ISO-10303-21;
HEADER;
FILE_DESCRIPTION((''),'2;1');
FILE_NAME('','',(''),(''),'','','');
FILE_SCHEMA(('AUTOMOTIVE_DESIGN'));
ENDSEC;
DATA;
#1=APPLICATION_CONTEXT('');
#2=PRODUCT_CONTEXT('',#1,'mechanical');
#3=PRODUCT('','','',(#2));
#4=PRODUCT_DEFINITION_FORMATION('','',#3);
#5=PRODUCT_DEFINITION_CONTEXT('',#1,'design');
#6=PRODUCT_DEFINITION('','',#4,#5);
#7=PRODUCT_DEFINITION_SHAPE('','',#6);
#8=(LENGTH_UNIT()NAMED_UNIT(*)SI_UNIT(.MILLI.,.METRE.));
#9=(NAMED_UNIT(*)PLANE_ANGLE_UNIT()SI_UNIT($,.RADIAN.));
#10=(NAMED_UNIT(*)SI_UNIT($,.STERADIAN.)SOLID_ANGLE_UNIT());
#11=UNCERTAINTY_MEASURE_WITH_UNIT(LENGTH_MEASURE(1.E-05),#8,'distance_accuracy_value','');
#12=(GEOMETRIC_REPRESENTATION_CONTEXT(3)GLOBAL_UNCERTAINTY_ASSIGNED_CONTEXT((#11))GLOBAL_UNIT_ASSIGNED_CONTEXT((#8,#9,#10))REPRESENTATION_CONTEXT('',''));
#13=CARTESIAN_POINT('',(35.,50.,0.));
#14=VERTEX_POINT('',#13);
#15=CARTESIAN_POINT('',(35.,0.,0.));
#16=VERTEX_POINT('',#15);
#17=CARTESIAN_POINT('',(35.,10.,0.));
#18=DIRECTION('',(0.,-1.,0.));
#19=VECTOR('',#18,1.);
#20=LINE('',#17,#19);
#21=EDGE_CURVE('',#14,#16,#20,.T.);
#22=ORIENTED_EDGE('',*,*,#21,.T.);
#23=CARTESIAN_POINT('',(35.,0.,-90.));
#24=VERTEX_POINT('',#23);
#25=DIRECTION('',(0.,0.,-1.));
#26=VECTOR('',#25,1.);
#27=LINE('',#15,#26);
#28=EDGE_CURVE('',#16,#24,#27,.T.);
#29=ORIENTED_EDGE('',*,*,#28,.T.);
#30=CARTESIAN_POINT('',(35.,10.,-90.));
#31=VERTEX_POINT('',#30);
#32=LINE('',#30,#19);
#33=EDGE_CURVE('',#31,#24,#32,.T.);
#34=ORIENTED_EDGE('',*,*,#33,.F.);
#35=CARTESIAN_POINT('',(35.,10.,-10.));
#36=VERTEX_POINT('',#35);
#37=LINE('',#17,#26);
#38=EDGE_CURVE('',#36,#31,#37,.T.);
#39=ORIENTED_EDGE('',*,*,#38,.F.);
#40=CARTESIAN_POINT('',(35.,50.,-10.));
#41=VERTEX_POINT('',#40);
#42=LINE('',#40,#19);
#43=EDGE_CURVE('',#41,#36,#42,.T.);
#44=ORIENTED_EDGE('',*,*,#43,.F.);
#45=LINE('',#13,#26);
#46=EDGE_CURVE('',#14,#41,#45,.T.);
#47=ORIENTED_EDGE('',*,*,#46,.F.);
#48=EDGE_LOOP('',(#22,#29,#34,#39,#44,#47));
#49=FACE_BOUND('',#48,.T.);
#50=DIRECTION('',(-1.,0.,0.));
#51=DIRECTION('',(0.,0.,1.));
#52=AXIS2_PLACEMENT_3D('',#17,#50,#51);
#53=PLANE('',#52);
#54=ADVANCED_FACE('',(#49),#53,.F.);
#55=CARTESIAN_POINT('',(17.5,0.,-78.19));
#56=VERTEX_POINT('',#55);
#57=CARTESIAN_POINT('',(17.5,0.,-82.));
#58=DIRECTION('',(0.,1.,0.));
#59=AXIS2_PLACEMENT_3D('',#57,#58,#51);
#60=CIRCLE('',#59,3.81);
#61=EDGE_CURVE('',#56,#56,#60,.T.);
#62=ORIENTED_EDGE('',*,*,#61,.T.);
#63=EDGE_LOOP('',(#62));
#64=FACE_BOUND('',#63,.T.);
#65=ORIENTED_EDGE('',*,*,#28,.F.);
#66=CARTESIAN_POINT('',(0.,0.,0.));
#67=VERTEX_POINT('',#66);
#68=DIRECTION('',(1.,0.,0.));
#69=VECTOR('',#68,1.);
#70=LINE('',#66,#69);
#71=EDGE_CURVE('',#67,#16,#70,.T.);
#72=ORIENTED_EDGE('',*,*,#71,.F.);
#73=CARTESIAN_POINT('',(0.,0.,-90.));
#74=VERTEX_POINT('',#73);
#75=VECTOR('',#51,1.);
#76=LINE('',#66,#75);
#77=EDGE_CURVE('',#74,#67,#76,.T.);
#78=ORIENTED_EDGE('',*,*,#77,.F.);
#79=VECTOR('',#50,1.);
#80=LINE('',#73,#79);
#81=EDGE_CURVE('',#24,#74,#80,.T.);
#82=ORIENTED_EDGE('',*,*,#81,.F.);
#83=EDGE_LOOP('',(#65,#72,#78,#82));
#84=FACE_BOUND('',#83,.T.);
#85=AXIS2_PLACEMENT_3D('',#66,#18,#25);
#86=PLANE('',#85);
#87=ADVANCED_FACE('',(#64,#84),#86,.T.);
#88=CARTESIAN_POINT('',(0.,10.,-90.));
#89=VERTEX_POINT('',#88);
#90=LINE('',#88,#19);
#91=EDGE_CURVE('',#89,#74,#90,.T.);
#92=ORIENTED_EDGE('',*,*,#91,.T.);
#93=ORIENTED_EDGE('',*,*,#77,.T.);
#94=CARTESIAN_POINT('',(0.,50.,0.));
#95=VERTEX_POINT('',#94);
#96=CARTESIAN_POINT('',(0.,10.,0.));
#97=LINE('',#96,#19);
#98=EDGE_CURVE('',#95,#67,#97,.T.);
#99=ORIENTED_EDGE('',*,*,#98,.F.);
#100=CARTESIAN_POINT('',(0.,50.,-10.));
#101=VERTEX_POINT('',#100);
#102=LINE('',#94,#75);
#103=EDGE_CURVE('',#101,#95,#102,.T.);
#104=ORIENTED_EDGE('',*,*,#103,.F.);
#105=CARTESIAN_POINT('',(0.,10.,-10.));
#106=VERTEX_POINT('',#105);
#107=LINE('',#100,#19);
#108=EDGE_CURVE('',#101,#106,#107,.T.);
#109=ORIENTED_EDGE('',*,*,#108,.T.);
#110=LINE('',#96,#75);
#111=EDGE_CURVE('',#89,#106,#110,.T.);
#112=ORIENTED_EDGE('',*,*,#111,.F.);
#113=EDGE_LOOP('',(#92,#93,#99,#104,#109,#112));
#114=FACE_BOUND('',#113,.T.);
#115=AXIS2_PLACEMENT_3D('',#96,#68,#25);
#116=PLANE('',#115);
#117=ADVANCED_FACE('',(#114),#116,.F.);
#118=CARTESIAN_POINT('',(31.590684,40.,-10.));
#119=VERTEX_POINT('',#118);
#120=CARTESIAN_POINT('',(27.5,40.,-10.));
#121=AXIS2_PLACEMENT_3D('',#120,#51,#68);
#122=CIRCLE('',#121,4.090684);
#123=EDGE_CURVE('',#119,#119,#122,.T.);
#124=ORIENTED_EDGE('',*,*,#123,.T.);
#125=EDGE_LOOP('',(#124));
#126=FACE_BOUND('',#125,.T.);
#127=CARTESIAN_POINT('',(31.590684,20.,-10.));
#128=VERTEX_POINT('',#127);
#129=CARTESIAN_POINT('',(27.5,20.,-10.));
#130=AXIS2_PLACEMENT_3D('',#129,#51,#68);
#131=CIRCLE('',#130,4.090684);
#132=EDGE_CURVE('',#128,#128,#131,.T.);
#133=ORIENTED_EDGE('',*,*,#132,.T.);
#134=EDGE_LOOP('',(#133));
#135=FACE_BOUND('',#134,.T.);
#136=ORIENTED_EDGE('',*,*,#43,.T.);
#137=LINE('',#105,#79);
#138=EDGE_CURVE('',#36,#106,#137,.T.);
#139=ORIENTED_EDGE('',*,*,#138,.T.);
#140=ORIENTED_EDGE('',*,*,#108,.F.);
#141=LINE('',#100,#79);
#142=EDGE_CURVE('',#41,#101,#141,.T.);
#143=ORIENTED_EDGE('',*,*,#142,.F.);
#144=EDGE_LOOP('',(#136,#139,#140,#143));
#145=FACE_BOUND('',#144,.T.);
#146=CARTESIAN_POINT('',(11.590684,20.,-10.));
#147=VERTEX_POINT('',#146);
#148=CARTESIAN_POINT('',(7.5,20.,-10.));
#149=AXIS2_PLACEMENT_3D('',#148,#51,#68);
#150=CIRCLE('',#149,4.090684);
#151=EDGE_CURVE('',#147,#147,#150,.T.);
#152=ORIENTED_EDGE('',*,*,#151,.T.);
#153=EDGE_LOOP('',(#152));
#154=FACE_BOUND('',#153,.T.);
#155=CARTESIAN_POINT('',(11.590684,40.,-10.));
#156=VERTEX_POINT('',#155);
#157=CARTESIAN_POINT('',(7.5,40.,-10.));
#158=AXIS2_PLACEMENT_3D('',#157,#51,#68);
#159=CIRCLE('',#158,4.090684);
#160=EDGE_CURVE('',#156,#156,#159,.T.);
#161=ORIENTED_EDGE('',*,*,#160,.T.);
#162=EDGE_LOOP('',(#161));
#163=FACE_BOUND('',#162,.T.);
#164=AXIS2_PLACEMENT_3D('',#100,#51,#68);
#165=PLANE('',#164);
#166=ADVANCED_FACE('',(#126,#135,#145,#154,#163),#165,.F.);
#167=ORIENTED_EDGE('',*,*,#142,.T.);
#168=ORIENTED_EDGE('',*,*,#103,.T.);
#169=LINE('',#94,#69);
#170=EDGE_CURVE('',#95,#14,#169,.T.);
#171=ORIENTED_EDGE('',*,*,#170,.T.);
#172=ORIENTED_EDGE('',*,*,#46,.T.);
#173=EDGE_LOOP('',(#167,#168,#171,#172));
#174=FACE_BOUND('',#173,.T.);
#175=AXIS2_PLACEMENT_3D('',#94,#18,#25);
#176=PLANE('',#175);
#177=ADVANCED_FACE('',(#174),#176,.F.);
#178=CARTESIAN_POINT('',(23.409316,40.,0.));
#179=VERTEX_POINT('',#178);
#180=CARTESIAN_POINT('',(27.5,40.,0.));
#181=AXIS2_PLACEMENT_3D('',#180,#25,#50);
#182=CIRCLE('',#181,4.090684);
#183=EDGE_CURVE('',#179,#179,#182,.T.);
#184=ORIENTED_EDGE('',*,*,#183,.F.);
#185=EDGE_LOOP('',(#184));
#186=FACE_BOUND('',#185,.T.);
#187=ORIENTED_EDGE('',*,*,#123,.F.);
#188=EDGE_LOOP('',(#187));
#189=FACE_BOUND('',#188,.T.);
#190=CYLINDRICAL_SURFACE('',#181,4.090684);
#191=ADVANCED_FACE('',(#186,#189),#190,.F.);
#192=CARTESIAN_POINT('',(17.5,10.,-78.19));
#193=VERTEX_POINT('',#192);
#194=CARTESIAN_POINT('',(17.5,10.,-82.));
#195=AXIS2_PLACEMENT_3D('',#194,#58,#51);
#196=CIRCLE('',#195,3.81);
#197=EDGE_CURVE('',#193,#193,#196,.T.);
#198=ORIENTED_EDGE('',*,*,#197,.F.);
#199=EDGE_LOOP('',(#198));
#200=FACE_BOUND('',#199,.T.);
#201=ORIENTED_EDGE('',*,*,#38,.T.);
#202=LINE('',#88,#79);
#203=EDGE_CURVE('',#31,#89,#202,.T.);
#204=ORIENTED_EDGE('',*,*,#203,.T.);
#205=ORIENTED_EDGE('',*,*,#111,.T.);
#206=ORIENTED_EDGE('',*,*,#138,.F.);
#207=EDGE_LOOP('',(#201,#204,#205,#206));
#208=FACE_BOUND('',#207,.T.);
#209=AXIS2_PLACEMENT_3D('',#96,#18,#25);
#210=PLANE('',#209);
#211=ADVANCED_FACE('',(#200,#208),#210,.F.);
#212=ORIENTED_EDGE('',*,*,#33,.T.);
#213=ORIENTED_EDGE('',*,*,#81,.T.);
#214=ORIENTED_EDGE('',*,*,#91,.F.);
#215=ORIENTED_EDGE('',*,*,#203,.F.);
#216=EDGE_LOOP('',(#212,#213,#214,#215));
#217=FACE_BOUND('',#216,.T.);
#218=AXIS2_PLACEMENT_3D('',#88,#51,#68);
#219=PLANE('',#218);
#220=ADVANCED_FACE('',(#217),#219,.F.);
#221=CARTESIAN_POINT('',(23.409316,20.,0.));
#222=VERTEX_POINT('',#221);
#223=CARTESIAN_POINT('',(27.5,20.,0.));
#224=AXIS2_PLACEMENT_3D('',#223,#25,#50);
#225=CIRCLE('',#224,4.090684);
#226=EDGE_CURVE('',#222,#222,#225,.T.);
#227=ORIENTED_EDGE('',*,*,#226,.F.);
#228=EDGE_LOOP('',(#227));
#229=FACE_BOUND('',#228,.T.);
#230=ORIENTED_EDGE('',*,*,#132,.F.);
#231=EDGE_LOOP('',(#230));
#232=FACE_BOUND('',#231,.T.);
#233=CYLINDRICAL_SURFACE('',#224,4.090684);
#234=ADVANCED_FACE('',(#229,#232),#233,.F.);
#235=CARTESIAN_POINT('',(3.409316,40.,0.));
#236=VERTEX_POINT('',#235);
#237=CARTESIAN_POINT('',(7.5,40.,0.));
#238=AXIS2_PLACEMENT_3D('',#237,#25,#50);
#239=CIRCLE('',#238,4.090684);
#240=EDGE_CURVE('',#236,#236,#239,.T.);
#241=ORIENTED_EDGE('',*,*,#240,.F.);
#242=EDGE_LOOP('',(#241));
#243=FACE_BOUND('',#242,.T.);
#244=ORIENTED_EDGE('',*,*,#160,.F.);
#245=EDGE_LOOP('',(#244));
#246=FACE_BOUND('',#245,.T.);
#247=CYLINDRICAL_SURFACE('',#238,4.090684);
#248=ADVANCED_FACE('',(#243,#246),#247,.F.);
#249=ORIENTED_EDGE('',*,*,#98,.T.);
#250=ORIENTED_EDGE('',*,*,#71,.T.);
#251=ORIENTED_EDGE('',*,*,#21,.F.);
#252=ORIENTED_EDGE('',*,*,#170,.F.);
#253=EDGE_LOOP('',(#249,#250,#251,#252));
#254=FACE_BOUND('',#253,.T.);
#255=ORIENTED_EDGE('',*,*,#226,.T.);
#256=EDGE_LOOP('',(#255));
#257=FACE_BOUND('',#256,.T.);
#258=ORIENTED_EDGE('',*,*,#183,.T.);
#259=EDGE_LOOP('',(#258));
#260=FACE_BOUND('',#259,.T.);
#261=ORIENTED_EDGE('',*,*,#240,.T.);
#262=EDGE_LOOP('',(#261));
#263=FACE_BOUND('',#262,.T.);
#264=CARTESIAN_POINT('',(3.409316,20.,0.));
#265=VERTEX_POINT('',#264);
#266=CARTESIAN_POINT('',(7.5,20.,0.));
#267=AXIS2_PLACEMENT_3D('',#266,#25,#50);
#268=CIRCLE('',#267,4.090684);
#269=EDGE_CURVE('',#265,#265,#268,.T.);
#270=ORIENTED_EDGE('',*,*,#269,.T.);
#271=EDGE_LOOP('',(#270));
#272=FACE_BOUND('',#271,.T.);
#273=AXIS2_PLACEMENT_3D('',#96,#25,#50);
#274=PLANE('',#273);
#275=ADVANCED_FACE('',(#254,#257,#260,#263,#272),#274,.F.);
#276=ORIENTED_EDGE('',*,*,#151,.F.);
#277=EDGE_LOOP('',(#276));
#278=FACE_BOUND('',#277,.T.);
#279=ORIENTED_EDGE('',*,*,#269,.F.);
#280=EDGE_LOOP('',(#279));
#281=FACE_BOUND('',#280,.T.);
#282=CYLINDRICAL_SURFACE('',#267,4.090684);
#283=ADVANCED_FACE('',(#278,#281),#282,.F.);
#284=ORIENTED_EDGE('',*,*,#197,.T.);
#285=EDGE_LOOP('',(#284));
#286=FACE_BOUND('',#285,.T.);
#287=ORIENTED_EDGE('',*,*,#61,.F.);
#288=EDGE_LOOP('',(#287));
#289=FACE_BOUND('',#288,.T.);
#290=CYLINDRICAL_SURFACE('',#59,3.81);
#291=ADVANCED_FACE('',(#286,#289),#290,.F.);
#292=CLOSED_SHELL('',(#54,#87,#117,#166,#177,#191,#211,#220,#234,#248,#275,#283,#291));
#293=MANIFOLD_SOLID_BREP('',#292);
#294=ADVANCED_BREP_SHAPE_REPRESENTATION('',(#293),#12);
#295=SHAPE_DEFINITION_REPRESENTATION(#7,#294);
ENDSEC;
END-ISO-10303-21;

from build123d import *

# Parameters (mm, degrees)
SKETCH1_W               = 35
SKETCH1_H               = 90
BOSS_EXTRUDE1_DEPTH     = 10
SKETCH2_W               = 35
SKETCH2_H               = 10
BOSS_EXTRUDE2_DEPTH     = 40
CUT_EXTRUDE1_DEPTH      = 101.623058987
CUT_EXTRUDE1_DEPTH_BACK = 101.623058987
SKETCH3_R               = 4.090684301
SKETCH4_R               = 3.81
CUT_EXTRUDE2_DEPTH      = 105.522724802


with BuildPart() as part:
    # Sketch1 → Boss-Extrude1 (new body)
    with BuildSketch(Plane(origin=(0, 0, 0), x_dir=(1, 0, 0), z_dir=(0, 1, 0))):
        with Locations((17.5, 45)):
            Rectangle(SKETCH1_W, SKETCH1_H)
    extrude(amount=BOSS_EXTRUDE1_DEPTH)

    # Sketch2 → Boss-Extrude2 (add)
    with BuildSketch(Plane(origin=(0, 10, 0), x_dir=(1, 0, 0), z_dir=(0, 1, 0))):
        with Locations((17.5, 5)):
            Rectangle(SKETCH2_W, SKETCH2_H)
    extrude(amount=BOSS_EXTRUDE2_DEPTH)

    # Sketch3 → Cut-Extrude1 (cut, two sides: drawn at the far end of the back side and taken through both)
    with BuildSketch(Plane(origin=(0, 0, -10), x_dir=(-1, 0, 0), z_dir=(0, 0, -1)).offset(-CUT_EXTRUDE1_DEPTH_BACK)):
        with Locations((-27.5, 40)):
            Circle(SKETCH3_R)
        with Locations((-7.5, 40)):
            Circle(SKETCH3_R)
        with Locations((-7.5, 20)):
            Circle(SKETCH3_R)
        with Locations((-27.5, 20)):
            Circle(SKETCH3_R)
    extrude(amount=CUT_EXTRUDE1_DEPTH + CUT_EXTRUDE1_DEPTH_BACK, mode=Mode.SUBTRACT)

    # Sketch4 → Cut-Extrude2 (cut, through all)
    with BuildSketch(Plane(origin=(0, 10, 0), x_dir=(1, 0, 0), z_dir=(0, 1, 0))):
        with Locations(Location((17.5, 82, 0), (0, 0, 270))):
            Circle(SKETCH4_R)
    extrude(amount=-CUT_EXTRUDE2_DEPTH, mode=Mode.SUBTRACT)


solid = part.part
